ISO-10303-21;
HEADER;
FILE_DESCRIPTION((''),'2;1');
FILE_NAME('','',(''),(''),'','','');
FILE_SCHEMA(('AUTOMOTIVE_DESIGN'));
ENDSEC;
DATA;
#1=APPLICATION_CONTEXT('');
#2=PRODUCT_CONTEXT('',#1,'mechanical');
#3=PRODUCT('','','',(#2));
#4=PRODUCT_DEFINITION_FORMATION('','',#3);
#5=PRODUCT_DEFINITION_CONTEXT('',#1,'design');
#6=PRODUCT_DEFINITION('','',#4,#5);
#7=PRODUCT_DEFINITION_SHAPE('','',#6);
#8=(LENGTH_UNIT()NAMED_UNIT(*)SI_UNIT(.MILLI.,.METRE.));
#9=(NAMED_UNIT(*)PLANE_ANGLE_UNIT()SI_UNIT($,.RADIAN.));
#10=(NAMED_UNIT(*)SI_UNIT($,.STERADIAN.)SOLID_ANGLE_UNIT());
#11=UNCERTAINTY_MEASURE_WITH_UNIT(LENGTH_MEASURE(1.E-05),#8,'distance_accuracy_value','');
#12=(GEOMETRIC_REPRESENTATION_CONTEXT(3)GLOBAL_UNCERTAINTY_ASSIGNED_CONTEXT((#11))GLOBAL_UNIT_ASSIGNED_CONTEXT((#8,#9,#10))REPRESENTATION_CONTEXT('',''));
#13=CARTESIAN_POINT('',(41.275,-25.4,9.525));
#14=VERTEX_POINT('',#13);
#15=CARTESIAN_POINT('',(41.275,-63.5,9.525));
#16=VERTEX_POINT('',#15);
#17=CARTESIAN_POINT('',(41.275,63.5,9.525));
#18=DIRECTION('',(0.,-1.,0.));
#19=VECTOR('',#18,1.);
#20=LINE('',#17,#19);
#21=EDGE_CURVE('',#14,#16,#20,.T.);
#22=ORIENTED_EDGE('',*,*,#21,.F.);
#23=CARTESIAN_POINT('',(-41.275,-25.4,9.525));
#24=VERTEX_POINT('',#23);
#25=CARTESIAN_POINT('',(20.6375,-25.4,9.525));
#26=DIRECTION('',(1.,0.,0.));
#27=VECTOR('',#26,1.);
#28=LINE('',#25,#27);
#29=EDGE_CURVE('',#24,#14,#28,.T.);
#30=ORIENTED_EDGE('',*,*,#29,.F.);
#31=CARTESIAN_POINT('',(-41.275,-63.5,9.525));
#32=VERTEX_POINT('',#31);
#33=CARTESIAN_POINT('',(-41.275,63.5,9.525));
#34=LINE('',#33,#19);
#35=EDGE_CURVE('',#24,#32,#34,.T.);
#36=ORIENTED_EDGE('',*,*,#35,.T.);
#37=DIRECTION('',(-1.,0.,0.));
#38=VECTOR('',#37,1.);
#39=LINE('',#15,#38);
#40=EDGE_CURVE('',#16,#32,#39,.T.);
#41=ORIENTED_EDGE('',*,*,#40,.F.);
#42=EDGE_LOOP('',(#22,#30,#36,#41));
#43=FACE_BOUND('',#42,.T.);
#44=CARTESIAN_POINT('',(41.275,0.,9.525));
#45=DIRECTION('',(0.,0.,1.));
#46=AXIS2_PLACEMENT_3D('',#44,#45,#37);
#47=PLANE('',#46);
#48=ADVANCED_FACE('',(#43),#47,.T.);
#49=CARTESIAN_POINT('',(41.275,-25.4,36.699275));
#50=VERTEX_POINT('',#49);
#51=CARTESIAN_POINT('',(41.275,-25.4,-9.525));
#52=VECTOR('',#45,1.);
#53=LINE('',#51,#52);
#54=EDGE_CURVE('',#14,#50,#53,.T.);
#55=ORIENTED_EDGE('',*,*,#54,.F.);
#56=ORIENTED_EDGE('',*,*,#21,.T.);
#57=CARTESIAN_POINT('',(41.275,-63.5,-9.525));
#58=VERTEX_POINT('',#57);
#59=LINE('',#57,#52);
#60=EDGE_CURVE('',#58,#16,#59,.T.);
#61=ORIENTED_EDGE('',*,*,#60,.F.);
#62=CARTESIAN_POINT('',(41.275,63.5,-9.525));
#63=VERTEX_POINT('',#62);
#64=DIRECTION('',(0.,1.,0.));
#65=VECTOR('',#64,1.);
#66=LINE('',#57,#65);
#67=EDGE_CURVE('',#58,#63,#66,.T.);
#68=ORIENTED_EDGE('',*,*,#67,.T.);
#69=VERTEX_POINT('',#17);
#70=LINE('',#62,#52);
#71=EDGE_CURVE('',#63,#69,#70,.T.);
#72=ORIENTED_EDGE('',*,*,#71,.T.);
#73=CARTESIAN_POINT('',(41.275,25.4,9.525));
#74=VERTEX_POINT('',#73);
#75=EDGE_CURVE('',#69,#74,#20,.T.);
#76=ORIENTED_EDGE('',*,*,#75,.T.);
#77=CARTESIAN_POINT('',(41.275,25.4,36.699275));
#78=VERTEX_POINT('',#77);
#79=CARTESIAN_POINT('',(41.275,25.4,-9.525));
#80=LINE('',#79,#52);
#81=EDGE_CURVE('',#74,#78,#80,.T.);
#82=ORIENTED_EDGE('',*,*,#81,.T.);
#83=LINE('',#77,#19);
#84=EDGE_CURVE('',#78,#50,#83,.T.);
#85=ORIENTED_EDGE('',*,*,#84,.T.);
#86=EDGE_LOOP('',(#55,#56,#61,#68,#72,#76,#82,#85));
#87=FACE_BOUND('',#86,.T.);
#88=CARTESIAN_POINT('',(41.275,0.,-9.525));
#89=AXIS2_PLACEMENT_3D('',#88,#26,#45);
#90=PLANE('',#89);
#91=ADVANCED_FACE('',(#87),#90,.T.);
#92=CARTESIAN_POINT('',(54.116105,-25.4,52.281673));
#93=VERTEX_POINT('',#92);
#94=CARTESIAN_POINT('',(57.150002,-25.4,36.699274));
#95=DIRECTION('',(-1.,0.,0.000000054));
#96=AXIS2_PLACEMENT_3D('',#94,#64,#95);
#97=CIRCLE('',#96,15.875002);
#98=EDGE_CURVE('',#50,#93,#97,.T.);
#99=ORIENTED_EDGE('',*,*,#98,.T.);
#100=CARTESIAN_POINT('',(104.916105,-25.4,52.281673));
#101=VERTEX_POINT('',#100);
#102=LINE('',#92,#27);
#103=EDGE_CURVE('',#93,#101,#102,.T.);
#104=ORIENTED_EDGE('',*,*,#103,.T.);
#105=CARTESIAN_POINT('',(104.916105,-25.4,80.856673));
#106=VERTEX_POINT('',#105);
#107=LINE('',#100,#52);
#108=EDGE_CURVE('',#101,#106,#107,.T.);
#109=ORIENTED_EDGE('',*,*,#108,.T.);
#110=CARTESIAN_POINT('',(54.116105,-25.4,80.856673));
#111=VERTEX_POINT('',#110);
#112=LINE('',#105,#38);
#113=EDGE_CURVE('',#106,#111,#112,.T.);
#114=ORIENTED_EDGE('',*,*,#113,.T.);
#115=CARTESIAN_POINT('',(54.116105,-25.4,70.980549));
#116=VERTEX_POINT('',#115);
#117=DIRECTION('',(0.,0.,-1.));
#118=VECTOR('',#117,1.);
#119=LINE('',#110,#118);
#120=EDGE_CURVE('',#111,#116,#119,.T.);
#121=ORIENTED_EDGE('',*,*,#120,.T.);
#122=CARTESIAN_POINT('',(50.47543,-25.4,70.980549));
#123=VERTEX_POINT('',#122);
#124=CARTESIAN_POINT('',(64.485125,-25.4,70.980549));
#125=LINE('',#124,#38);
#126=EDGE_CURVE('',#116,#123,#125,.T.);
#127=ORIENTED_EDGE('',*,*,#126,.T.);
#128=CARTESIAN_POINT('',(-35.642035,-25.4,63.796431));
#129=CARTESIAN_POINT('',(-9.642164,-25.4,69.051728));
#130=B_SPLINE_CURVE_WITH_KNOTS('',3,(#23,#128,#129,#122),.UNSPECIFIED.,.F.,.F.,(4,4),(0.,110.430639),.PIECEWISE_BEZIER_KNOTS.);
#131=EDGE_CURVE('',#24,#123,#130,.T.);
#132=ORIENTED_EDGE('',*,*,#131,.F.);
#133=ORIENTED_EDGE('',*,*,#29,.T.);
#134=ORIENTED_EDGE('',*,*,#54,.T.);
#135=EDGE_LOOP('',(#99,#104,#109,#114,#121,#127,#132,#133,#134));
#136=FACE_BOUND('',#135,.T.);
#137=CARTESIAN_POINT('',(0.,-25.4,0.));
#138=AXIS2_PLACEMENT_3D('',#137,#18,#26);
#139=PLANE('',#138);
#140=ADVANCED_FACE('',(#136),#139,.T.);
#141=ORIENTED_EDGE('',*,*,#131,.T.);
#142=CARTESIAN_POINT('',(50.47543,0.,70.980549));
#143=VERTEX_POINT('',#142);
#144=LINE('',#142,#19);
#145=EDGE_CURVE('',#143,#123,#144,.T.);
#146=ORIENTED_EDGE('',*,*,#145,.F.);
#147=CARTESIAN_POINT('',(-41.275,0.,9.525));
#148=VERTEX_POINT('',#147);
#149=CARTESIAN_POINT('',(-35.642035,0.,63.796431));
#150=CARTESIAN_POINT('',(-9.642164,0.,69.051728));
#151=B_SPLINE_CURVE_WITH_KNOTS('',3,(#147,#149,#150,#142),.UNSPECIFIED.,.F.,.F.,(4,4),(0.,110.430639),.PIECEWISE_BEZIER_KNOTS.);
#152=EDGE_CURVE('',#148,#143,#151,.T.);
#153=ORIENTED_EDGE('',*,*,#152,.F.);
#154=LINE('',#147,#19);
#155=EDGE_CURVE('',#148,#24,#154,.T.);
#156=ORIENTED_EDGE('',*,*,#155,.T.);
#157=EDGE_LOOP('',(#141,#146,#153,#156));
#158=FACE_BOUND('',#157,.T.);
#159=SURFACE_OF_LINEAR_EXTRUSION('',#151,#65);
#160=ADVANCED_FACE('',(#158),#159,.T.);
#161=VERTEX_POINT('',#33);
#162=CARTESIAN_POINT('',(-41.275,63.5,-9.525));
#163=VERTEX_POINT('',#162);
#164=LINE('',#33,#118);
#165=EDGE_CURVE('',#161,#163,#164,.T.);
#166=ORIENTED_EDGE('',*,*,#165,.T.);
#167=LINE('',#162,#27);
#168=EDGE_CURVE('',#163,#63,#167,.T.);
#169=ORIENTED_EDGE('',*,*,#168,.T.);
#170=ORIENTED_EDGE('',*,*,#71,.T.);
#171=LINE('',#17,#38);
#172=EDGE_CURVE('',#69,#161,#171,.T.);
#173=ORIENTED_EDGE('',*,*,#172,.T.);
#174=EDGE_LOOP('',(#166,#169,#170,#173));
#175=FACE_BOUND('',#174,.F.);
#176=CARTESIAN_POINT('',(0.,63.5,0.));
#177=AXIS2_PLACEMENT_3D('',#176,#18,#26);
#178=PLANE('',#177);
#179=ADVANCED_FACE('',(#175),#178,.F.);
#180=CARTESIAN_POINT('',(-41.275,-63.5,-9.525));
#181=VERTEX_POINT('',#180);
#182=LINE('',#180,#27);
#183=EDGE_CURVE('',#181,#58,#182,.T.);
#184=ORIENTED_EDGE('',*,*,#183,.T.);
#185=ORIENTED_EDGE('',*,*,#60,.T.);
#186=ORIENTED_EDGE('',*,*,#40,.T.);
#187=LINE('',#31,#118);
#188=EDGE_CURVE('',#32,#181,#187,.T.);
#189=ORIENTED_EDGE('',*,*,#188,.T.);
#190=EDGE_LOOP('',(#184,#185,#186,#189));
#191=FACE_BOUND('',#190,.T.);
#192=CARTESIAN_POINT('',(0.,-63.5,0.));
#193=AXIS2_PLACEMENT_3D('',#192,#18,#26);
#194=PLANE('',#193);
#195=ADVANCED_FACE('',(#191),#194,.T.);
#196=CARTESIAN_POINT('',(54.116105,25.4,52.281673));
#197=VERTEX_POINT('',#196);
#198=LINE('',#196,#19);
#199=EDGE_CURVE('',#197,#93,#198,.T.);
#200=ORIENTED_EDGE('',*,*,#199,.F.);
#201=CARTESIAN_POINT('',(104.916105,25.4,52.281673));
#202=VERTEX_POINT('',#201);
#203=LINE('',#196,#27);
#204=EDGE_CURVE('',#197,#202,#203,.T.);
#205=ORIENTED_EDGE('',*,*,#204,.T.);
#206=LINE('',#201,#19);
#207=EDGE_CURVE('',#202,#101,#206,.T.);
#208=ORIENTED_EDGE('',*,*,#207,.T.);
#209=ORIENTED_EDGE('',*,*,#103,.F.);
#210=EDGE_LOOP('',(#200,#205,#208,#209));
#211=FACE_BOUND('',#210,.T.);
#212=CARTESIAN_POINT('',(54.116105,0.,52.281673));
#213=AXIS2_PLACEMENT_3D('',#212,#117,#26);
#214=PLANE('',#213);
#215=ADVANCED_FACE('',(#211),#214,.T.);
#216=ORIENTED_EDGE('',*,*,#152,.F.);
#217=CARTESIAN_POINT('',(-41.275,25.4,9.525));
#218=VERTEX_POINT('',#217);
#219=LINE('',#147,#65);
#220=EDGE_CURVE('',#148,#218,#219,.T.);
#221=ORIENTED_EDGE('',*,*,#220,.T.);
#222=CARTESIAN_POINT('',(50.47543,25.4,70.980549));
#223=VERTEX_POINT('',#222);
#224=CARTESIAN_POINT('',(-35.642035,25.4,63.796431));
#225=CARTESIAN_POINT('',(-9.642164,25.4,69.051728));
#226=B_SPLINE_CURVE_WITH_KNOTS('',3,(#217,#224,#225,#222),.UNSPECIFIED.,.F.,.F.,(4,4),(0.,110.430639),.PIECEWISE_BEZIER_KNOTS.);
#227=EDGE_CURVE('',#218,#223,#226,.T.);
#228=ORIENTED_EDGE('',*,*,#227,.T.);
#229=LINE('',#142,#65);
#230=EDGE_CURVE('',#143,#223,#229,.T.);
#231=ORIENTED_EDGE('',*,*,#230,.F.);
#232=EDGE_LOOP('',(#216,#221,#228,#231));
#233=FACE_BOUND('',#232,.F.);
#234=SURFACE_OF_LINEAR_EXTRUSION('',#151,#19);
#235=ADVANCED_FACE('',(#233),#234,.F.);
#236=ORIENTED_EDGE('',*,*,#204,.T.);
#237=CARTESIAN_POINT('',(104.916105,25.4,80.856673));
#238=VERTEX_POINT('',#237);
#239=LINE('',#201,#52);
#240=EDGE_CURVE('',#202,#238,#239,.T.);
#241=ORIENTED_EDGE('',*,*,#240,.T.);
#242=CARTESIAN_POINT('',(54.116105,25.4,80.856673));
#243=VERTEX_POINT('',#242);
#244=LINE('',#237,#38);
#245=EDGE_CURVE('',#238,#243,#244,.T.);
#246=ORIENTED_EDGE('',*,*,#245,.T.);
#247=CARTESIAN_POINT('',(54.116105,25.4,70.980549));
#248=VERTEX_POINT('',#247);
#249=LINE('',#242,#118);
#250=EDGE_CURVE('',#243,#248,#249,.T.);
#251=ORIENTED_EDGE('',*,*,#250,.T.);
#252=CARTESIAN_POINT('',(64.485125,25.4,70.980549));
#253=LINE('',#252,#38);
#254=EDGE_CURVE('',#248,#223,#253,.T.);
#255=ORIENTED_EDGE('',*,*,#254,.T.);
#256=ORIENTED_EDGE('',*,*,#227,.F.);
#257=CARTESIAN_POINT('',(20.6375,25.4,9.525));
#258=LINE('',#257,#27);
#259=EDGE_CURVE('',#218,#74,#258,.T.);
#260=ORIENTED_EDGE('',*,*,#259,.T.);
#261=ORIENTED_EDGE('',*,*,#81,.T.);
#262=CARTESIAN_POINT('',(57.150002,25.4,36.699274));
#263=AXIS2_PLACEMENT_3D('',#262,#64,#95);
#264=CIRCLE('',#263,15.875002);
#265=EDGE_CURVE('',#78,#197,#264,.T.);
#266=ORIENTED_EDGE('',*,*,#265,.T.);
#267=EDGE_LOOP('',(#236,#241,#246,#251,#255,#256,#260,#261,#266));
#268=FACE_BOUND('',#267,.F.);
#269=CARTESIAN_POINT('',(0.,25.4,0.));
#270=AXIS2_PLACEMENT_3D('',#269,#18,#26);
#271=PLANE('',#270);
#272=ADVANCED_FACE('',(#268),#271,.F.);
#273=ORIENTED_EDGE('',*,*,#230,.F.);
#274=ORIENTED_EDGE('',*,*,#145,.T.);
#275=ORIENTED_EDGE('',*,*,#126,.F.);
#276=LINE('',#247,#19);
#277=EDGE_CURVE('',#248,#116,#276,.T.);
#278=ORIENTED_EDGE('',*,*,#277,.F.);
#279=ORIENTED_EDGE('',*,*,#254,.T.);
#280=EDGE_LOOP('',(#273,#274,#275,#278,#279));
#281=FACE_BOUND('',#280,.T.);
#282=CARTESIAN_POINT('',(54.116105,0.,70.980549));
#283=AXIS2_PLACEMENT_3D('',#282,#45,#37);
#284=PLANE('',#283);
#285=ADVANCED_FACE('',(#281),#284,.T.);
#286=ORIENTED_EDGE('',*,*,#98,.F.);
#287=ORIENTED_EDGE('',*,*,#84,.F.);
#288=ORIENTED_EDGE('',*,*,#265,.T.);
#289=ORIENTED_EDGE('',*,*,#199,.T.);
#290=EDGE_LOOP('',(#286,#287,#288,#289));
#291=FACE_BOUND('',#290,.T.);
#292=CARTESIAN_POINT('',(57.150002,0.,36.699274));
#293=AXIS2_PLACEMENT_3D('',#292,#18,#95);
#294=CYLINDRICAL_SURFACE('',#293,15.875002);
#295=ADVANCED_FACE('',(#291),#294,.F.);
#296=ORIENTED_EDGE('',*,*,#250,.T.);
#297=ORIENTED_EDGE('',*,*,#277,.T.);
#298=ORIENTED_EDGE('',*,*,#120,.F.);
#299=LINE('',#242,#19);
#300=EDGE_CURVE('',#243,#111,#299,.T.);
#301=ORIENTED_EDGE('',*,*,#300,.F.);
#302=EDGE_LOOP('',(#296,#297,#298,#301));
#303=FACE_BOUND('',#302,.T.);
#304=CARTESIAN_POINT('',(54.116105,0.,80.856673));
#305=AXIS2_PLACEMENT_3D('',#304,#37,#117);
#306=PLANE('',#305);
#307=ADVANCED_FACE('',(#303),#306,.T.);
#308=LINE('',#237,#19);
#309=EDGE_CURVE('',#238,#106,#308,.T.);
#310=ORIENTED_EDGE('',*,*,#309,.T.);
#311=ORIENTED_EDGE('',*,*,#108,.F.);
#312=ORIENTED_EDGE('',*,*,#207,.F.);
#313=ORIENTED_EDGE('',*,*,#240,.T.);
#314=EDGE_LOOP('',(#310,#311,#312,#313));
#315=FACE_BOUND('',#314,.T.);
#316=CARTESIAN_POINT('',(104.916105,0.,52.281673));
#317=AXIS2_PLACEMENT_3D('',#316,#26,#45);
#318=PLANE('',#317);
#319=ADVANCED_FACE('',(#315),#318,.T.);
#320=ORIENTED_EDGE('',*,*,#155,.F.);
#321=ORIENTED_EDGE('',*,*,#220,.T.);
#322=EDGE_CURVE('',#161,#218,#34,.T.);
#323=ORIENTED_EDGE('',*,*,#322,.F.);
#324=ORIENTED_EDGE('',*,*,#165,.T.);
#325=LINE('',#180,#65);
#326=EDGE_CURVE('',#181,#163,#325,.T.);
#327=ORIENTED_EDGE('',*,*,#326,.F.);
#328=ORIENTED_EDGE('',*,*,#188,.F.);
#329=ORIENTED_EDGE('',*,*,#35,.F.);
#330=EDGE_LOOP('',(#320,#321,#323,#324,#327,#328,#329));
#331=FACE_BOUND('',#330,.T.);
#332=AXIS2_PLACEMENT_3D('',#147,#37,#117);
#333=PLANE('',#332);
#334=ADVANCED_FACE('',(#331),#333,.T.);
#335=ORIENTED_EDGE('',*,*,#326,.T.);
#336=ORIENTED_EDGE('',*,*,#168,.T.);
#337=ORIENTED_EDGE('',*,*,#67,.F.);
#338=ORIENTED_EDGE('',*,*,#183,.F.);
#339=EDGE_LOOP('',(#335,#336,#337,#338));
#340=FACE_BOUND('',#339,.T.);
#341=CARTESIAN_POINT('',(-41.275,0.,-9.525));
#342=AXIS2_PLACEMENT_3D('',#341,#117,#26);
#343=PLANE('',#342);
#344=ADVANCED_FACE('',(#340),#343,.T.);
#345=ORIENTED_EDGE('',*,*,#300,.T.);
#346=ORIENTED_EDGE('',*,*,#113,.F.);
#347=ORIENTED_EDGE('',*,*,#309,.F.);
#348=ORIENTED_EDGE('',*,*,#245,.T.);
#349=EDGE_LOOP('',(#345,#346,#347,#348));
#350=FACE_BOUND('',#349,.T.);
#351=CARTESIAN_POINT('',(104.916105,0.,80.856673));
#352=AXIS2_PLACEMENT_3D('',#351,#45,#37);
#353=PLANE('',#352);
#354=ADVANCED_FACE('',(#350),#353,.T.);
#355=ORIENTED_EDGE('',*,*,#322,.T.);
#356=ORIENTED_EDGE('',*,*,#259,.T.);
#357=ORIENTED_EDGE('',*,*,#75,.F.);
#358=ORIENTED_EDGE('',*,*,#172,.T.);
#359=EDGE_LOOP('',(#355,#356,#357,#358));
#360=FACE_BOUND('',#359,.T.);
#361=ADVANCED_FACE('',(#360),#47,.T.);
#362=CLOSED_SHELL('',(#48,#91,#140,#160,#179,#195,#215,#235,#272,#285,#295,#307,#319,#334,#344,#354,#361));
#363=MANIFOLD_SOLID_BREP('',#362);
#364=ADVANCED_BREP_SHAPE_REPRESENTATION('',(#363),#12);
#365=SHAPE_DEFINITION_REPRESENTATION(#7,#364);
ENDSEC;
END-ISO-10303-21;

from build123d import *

# Parameters (mm, degrees)
F1_DEPTH = 63.5
F0_W     = 10.36902
F0_H     = 18.698876
F2_DEPTH = 25.4


with BuildPart() as f1:
    # F0 (on Front) → F1 (new body, symmetric)
    with BuildSketch(Plane.XZ):
        Polygon((41.275, -9.525), (41.275, 9.525), (22.225, 9.525), (-41.275, 9.525), (-41.275, -9.525), align=None)
    extrude(amount=F1_DEPTH, both=True)

    # F0 (on Front) → F2 (join, symmetric)
    with BuildSketch(Plane.XZ):
        Polygon((41.275, -9.525), (41.275, 9.525), (22.225, 9.525), (-41.275, 9.525), (-41.275, -9.525), align=None)
        with BuildLine():
            Line((22.225, 9.525), (41.275, 9.525))
            Line((41.275, 9.525), (41.275, 36.699275))
            ThreePointArc((41.275, 36.699275), (44.898904, 46.795129), (54.116105, 52.281673))
            Line((54.116105, 52.281673), (54.116105, 70.980549))
            Line((54.116105, 70.980549), (50.47543, 70.980549))
            ThreePointArc((50.47543, 70.980549), (30.197588, 58.910154), (22.225, 36.699275))
            Line((22.225, 36.699275), (22.225, 9.525))
        make_face()
        with BuildLine():
            Line((-41.275, 9.525), (22.225, 9.525))
            Line((22.225, 9.525), (22.225, 36.699275))
            ThreePointArc((22.225, 36.699275), (30.197588, 58.910154), (50.47543, 70.980549))
            add(Edge.make_bspline(
                [(-41.275, 9.525), (-35.642035, 63.796431), (-9.642164, 69.051728), (50.47543, 70.980549)],
                knots=[0, 0, 0, 0, 110.430639, 110.430639, 110.430639, 110.430639], degree=3))
        make_face()
        with Locations((59.300615, 61.631111)):
            Rectangle(F0_W, F0_H)
        Polygon((64.485125, 70.980549), (64.485125, 52.281673), (104.916105, 52.281673), (104.916105, 80.856673), (54.116105, 80.856673), (54.116105, 70.980549), align=None)
    extrude(amount=F2_DEPTH, both=True)


solid = f1.part
